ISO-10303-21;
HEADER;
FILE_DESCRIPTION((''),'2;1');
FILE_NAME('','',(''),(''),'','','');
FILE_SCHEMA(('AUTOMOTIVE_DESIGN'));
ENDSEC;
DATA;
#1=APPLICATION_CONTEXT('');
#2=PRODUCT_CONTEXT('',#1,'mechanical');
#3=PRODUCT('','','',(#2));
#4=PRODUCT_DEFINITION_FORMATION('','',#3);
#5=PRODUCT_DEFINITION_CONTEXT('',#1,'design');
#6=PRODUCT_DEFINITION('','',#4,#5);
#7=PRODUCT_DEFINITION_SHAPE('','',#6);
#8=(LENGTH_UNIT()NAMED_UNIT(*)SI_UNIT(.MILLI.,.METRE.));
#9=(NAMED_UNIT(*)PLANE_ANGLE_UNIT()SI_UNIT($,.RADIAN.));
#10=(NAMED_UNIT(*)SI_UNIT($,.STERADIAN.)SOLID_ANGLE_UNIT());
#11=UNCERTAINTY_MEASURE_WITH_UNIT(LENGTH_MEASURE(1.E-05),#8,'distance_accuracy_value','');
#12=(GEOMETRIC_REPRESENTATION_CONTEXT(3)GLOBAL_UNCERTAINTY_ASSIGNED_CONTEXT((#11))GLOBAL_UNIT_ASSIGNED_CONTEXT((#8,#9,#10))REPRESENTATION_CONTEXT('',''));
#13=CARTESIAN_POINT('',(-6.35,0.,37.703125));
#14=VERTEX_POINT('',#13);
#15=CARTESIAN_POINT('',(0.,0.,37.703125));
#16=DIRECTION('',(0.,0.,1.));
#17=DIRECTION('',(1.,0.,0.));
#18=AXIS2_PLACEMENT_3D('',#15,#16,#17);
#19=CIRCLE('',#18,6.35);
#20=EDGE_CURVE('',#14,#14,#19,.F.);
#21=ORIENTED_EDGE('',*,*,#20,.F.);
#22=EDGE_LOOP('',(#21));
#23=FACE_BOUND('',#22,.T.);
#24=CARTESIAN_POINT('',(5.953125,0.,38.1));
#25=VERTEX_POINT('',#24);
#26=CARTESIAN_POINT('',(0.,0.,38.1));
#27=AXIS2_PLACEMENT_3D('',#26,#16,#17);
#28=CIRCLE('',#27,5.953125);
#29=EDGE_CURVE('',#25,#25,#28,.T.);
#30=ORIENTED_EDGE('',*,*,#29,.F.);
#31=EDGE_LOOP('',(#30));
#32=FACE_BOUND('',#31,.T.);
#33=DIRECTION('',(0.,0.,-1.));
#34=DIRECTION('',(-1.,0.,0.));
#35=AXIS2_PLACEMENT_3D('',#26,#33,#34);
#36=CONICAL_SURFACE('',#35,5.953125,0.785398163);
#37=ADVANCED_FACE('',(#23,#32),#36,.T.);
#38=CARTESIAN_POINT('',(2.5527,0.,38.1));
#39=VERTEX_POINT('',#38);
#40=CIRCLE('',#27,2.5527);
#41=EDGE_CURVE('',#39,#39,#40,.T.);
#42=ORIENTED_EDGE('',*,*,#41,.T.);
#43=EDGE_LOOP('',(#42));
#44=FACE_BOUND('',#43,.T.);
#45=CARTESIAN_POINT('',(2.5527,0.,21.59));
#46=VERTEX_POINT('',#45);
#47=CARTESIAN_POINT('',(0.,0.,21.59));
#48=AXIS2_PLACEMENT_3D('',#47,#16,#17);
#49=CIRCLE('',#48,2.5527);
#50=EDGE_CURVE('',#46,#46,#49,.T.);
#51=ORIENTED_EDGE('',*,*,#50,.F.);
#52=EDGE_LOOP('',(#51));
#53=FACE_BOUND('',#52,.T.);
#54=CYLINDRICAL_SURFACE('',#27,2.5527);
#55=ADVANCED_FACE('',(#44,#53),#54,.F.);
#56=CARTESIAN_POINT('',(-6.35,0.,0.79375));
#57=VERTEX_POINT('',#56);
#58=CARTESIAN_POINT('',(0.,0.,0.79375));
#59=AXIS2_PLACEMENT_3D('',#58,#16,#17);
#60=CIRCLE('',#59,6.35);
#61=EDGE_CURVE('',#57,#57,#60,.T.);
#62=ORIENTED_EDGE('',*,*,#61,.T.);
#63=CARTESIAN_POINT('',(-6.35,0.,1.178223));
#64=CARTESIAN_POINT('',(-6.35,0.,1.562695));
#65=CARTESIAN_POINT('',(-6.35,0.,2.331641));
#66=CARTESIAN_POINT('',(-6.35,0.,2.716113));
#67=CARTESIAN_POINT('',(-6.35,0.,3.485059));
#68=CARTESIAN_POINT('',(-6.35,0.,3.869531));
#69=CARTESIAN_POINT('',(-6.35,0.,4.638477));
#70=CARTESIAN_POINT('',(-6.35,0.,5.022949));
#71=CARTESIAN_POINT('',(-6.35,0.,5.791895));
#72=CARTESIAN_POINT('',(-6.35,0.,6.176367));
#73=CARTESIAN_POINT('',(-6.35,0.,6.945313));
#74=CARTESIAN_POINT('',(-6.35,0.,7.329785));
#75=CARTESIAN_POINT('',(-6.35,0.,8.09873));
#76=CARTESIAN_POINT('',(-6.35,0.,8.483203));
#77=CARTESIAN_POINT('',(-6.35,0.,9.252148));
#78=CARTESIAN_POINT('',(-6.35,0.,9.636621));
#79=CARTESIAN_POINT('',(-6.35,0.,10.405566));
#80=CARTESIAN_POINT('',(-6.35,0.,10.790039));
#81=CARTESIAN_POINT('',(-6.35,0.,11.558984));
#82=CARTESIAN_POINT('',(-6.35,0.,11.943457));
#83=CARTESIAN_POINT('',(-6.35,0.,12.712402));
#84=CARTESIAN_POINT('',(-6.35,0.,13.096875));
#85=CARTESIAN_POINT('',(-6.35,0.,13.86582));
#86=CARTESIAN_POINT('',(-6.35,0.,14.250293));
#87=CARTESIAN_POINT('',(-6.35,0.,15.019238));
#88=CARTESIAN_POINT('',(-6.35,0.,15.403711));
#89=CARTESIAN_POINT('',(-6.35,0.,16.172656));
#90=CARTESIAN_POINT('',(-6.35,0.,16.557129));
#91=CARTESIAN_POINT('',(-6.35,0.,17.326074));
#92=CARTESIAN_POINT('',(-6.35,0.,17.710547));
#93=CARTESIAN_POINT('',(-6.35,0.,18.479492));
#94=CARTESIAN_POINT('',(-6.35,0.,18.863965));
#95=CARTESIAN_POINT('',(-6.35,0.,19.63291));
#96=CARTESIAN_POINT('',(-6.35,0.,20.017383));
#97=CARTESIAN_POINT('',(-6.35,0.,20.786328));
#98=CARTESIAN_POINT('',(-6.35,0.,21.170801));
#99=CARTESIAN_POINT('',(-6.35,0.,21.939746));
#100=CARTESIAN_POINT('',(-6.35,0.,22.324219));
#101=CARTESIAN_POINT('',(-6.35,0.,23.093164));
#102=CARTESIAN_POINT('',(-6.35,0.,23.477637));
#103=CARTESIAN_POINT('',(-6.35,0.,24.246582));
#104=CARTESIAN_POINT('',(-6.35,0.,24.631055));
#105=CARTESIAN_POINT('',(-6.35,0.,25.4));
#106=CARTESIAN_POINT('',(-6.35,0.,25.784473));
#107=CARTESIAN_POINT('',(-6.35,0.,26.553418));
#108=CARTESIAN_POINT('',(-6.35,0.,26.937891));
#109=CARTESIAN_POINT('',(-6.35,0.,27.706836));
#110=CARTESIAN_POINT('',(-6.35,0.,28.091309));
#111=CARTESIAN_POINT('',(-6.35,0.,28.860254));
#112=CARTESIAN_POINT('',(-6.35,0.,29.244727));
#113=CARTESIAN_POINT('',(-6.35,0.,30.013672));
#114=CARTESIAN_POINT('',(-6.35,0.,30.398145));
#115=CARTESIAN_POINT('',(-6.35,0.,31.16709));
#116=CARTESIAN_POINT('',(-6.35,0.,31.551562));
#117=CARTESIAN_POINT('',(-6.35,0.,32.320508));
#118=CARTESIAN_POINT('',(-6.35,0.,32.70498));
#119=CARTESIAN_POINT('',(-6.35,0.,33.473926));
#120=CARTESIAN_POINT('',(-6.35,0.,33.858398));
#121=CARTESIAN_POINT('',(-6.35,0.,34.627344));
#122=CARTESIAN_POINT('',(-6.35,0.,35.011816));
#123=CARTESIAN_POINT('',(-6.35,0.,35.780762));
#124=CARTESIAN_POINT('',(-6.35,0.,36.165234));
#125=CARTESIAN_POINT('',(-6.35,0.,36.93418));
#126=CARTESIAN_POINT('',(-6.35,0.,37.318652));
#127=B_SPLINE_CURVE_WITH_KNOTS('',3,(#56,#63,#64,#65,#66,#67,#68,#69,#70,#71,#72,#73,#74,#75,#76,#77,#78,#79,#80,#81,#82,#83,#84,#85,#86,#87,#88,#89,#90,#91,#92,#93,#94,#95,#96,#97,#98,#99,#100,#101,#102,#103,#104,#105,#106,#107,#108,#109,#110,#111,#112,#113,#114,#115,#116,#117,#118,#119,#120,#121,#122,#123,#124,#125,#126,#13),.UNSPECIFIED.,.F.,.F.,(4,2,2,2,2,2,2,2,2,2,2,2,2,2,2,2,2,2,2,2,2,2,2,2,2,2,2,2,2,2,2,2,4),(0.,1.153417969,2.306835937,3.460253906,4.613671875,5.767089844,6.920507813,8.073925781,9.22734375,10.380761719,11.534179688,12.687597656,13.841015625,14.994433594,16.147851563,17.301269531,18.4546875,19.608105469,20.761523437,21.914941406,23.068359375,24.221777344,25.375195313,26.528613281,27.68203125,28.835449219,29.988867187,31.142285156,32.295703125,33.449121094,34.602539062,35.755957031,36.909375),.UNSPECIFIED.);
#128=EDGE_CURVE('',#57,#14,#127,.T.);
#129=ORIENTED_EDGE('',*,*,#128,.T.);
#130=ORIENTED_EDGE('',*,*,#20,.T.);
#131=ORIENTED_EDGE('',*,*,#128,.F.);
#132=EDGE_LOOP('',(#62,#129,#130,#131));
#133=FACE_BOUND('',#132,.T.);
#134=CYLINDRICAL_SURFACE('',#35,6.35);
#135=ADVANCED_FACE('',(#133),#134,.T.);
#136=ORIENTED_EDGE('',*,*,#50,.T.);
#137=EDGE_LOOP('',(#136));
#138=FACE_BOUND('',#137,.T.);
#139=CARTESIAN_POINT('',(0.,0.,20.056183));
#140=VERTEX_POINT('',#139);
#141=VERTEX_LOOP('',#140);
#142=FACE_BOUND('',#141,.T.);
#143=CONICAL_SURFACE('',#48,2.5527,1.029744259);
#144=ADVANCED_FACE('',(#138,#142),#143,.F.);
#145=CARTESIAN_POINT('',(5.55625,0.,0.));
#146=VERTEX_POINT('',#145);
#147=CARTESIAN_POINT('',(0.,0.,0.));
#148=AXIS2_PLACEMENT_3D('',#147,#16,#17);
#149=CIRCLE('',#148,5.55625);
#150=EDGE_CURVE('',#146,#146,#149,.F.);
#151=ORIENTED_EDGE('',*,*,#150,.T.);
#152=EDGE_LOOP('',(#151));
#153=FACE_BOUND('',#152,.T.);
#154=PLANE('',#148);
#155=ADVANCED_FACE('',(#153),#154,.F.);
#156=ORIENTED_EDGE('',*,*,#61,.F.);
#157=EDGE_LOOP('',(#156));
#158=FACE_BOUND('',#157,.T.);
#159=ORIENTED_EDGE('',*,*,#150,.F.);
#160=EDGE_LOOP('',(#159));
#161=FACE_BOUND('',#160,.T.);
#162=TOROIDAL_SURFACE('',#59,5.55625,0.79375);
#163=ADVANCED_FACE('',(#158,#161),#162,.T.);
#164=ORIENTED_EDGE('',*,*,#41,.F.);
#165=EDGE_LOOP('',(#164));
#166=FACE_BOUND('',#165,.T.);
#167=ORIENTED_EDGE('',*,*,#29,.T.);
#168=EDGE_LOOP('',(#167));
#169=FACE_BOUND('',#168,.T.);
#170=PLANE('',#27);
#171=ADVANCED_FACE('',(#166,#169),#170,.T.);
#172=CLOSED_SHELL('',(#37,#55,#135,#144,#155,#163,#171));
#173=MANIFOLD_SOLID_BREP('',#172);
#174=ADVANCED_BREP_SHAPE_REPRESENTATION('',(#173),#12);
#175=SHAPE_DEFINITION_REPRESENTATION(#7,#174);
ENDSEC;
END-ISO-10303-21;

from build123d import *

# Parameters (mm, degrees)
SKETCH1_R                   = 6.35
EXTRUDE1_DEPTH              = 38.1
F_1_4_20_TAPPED_HOLE1_D     = 5.1054
F_1_4_20_TAPPED_HOLE1_DEPTH = 16.51
F_1_4_20_TAPPED_HOLE1_TIP   = 1.533816902
CHAMFER1_SIZE               = 0.396875
FILLET1_R                   = 0.79375


with BuildPart() as part:
    # Sketch1 → Extrude1 (new body)
    with BuildSketch(Plane.XY):
        with Locations(Location((0, 0, 0), (0, 0, 180))):
            Circle(SKETCH1_R)
    extrude(amount=EXTRUDE1_DEPTH)

    # 1/4-20 Tapped Hole1
    with Locations(Plane.XY.offset(38.1)):
        with Locations((0, 0)):
            Hole(F_1_4_20_TAPPED_HOLE1_D / 2, depth=F_1_4_20_TAPPED_HOLE1_DEPTH)
            with Locations((0, 0, -(F_1_4_20_TAPPED_HOLE1_DEPTH + F_1_4_20_TAPPED_HOLE1_TIP / 2))):  # 118° drill point
                Cone(0, F_1_4_20_TAPPED_HOLE1_D / 2, F_1_4_20_TAPPED_HOLE1_TIP, mode=Mode.SUBTRACT)

    # Chamfer1
    chamfer1_edges = [part.edges().sort_by_distance(p)[0] for p in [
        (6.35, 0, 38.1),
    ]]
    chamfer(chamfer1_edges, length=CHAMFER1_SIZE)

    # Fillet1
    fillet1_edges = [part.edges().sort_by_distance(p)[0] for p in [
        (6.35, 0, 0),
    ]]
    fillet(fillet1_edges, radius=FILLET1_R)


solid = part.part
